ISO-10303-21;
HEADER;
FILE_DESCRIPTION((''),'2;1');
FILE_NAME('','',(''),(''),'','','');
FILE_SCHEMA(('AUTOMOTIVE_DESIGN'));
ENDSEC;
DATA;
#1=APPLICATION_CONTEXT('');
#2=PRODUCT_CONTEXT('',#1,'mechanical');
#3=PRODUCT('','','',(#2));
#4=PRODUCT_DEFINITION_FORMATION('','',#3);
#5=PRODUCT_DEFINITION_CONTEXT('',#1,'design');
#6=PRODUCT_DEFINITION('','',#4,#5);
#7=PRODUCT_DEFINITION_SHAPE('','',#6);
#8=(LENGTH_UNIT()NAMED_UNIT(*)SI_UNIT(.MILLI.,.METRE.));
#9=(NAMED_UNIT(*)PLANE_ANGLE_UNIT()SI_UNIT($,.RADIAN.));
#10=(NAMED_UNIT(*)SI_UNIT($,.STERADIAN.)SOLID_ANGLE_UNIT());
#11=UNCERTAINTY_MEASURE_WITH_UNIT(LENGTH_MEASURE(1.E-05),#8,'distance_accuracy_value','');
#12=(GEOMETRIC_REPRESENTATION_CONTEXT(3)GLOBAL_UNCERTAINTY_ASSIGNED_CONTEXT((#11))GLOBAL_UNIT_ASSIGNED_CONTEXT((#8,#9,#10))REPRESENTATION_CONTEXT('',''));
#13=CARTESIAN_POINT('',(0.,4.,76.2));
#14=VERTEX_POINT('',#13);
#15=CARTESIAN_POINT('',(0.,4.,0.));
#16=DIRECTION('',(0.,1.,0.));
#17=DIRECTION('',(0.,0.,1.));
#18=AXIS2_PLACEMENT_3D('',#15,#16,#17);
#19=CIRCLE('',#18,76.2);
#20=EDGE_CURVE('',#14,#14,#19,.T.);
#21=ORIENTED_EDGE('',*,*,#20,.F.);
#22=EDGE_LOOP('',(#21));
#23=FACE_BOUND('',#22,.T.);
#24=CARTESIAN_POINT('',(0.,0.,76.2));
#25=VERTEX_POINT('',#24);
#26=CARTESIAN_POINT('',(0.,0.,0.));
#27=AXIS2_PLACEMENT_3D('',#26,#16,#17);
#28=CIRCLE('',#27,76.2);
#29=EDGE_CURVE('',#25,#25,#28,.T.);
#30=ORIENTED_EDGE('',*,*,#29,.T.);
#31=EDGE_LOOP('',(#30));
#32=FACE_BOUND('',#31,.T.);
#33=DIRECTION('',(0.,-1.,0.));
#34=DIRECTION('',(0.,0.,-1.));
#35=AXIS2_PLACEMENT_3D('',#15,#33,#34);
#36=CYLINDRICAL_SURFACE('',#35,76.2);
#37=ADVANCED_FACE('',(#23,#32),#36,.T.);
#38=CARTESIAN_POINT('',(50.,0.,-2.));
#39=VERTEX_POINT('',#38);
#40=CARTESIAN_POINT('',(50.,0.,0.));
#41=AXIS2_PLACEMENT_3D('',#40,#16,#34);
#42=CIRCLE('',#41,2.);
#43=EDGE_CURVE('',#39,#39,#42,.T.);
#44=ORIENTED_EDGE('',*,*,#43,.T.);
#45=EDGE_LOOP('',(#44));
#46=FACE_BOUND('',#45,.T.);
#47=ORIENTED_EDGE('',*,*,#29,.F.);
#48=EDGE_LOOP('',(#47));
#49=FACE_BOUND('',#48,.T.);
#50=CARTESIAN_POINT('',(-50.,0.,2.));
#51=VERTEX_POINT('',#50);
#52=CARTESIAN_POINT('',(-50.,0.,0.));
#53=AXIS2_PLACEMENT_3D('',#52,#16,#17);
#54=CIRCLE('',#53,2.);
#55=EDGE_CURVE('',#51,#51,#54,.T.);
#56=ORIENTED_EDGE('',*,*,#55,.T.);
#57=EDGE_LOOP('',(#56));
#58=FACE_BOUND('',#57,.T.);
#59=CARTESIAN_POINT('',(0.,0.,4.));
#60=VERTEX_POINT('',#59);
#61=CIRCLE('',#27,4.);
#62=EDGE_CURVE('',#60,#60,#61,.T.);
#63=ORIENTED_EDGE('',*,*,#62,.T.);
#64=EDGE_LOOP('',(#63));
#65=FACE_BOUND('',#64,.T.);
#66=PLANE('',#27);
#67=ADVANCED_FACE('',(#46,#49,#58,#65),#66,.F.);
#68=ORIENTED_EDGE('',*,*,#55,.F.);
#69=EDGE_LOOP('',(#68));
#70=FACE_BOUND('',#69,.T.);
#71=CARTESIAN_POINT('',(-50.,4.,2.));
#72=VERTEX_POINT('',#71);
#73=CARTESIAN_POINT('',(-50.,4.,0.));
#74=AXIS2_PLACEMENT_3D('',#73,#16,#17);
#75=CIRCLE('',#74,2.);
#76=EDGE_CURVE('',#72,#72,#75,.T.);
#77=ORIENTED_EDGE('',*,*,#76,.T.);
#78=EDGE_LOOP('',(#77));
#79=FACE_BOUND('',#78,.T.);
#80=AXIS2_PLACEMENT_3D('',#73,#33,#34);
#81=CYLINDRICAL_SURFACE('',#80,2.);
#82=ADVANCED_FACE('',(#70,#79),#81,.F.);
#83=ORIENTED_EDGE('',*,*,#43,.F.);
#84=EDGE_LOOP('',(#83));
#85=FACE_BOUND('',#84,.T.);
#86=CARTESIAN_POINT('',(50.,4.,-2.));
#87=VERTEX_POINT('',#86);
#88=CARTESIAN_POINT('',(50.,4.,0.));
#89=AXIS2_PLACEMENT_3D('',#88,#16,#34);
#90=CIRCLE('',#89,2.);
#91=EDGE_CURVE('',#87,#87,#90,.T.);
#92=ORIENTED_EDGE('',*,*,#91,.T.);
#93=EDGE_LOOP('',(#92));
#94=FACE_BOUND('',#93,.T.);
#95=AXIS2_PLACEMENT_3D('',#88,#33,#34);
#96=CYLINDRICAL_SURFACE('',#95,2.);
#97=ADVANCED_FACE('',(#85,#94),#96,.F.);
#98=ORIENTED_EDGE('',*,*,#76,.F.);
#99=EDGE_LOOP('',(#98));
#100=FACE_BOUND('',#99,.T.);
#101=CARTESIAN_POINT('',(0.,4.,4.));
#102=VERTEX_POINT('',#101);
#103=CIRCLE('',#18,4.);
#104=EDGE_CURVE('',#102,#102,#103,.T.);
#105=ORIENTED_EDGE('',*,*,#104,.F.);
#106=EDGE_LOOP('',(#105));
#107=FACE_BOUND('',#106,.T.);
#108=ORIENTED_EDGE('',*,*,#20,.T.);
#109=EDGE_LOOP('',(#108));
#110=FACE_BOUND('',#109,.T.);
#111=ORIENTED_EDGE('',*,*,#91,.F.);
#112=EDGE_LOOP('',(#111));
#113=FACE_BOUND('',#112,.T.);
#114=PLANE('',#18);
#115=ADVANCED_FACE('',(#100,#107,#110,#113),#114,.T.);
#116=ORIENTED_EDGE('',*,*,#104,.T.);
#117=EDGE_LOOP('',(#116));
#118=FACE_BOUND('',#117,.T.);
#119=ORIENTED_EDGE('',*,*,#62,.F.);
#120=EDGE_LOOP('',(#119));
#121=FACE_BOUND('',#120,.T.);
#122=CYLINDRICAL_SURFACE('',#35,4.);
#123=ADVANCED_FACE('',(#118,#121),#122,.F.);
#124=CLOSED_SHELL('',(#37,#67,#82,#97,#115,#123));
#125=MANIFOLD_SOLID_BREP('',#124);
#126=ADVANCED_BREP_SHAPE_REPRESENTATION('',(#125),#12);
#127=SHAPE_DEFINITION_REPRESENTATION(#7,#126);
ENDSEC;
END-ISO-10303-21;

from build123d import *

# Parameters (mm, degrees)
SKETCH1_R           = 76.2
SKETCH1_R_2         = 4
SKETCH1_R_3         = 2
BOSS_EXTRUDE1_DEPTH = 4


with BuildPart() as part:
    # Sketch1 → Boss-Extrude1 (new body)
    with BuildSketch(Plane(origin=(0, 0, 0), x_dir=(1, 0, 0), z_dir=(0, 1, 0))):
        with Locations(Location((0, 0, 0), (0, 0, 270))):
            Circle(SKETCH1_R)
        with Locations(Location((0, 0, 0), (0, 0, 270))):
            Circle(SKETCH1_R_2, mode=Mode.SUBTRACT)
        with Locations(Location((-50, 0, 0), (0, 0, 270))):
            Circle(SKETCH1_R_3, mode=Mode.SUBTRACT)
        with Locations(Location((50, 0, 0), (0, 0, 90))):
            Circle(SKETCH1_R_3, mode=Mode.SUBTRACT)
    extrude(amount=BOSS_EXTRUDE1_DEPTH)


solid = part.part
